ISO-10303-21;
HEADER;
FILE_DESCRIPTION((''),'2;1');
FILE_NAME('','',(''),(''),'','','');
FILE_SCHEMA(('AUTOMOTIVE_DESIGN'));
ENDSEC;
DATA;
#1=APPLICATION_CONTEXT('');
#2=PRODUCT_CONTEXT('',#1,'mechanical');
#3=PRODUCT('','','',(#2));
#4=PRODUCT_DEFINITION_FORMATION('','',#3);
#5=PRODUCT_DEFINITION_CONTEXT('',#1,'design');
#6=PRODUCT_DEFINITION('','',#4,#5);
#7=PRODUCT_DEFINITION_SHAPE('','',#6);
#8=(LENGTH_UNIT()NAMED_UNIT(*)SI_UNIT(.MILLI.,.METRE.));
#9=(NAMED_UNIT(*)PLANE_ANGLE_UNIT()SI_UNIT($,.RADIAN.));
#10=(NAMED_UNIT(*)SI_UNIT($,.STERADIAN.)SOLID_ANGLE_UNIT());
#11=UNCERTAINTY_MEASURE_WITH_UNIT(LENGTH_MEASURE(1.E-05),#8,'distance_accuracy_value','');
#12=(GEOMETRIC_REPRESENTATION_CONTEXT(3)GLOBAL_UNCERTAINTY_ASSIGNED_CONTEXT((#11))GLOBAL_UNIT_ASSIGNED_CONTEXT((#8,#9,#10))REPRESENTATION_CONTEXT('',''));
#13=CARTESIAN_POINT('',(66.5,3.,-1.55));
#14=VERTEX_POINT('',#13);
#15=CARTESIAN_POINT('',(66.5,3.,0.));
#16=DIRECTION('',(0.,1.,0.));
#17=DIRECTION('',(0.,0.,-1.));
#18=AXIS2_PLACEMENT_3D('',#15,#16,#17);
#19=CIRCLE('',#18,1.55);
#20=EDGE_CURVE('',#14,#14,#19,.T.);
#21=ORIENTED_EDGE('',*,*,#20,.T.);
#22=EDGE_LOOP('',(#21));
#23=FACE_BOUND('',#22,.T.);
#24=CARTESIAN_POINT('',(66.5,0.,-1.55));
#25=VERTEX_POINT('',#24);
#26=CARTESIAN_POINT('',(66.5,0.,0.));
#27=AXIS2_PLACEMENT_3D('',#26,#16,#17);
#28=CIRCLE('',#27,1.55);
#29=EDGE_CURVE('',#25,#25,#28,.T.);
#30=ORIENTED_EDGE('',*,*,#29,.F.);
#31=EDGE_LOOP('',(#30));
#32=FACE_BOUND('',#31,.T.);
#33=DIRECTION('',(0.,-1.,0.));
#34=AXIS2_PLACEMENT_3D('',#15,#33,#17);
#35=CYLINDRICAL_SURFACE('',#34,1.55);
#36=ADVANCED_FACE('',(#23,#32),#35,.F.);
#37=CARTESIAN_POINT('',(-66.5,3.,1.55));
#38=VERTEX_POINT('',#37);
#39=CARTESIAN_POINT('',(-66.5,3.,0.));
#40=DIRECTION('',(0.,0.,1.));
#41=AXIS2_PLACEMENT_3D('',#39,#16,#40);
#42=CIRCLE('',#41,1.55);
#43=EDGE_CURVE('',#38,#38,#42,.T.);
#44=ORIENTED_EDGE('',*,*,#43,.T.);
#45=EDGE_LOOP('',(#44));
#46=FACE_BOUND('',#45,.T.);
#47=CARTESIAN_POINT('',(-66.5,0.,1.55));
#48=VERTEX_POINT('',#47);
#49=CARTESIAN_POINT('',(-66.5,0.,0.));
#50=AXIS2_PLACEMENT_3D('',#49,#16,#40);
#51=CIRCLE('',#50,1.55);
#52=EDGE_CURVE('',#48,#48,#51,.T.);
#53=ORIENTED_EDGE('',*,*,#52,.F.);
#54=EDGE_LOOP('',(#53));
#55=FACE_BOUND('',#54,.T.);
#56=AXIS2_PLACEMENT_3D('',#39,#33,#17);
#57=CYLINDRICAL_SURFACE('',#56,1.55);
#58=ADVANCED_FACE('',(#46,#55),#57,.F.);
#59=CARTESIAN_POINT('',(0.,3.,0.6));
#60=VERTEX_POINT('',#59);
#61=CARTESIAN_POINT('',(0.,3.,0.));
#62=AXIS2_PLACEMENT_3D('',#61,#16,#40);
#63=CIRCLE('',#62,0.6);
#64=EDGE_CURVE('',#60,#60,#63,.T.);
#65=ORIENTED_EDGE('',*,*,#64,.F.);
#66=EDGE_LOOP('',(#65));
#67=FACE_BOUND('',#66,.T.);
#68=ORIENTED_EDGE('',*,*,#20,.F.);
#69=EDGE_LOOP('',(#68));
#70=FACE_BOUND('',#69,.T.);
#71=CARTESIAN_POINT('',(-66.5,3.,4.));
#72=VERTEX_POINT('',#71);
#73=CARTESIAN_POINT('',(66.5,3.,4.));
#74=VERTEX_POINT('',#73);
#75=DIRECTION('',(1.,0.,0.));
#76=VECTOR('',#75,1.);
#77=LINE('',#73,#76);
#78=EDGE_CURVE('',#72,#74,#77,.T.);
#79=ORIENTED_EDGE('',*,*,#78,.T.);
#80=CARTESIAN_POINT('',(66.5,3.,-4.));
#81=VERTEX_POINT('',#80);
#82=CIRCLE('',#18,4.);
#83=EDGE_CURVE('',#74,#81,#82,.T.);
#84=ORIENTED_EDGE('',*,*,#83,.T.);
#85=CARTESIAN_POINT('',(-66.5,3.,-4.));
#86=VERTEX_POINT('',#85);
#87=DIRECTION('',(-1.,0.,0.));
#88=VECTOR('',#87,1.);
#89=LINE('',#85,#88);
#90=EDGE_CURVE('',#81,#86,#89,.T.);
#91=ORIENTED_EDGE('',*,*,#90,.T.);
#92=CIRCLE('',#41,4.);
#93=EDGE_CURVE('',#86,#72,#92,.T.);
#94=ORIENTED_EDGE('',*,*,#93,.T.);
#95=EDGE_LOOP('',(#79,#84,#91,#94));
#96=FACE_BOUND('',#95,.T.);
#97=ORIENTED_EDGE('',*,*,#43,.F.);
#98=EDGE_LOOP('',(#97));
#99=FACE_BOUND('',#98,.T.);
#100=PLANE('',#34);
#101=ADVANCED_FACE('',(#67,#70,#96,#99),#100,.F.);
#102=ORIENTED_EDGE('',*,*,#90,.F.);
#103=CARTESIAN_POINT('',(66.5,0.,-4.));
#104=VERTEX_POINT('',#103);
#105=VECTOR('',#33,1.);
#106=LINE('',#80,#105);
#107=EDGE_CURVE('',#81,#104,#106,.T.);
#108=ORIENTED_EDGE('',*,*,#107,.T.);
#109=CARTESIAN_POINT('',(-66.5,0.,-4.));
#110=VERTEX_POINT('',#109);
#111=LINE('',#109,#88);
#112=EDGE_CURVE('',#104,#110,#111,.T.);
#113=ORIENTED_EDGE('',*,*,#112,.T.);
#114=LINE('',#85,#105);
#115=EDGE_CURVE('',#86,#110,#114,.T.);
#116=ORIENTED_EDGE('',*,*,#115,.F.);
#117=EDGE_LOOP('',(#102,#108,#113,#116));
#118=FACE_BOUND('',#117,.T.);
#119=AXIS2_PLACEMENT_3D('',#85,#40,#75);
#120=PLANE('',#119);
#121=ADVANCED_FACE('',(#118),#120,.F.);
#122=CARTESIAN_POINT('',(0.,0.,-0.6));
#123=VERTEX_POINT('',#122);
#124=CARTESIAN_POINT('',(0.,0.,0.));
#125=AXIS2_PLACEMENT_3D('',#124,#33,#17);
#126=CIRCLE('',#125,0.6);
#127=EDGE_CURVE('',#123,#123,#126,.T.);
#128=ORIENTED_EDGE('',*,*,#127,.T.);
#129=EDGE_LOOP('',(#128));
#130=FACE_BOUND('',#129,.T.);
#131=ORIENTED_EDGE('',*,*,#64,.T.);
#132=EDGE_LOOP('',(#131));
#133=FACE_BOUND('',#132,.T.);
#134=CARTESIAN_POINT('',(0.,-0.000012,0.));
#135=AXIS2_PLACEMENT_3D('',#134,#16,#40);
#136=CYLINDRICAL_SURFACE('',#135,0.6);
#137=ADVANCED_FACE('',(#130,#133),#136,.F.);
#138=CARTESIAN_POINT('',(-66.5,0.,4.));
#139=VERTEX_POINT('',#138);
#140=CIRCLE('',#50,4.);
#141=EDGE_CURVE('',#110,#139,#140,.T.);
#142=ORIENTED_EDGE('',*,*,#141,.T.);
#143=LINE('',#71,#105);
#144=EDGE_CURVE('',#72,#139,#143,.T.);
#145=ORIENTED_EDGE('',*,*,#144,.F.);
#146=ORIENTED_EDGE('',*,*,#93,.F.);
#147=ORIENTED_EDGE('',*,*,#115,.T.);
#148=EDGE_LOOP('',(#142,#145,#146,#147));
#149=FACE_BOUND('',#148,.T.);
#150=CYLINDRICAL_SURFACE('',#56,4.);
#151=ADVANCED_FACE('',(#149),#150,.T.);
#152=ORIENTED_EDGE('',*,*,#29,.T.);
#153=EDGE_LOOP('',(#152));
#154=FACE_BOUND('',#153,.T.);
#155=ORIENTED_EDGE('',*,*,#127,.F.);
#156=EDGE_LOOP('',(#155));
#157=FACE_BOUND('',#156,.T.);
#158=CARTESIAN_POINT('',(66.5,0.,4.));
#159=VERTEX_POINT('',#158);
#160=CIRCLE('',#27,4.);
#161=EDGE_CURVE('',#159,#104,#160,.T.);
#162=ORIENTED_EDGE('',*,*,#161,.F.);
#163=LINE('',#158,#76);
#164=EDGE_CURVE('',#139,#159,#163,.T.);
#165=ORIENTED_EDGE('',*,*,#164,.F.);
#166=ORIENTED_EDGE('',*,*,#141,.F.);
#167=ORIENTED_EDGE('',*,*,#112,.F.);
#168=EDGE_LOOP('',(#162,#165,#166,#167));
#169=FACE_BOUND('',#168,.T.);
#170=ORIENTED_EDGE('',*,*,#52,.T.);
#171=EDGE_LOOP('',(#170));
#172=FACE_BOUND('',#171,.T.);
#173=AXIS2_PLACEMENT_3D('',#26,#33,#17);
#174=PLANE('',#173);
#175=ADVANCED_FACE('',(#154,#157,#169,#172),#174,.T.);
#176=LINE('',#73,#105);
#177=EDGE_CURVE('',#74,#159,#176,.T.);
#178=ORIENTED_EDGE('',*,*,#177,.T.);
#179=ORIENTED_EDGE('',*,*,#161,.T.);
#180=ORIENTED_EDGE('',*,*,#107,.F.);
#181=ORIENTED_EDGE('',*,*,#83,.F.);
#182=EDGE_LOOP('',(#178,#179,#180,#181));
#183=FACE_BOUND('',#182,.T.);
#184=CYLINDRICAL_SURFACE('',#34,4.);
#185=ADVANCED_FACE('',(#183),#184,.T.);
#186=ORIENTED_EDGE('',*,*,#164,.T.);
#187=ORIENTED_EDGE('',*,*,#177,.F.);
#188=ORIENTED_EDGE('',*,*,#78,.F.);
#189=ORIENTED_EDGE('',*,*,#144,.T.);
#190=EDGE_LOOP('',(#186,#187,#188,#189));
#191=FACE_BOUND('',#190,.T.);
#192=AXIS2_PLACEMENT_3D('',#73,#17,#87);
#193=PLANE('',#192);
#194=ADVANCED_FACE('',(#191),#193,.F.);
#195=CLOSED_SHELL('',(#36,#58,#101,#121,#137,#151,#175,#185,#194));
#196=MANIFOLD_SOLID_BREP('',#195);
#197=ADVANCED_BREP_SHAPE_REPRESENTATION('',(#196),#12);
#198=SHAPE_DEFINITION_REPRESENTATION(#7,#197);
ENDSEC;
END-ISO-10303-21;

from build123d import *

# Parameters (mm, degrees)
SKETCH1_R               = 1.55
BOSS_EXTRUDE1_DEPTH     = 3
CUT_EXTRUDE2_DEPTH      = 71.677082566
CUT_EXTRUDE2_DEPTH_BACK = 71.677082566
SKETCH2_R               = 0.6


with BuildPart() as part:
    # Sketch1 → Boss-Extrude1 (new body)
    with BuildSketch(Plane(origin=(0, 0, 0), x_dir=(1, 0, 0), z_dir=(0, 1, 0))):
        with BuildLine():
            Line((-66.5, 4), (66.5, 4))
            ThreePointArc((66.5, 4), (70.5, 0), (66.5, -4))
            Line((66.5, -4), (-66.5, -4))
            ThreePointArc((-66.5, -4), (-70.5, 0), (-66.5, 4))
        make_face()
        with Locations(Location((-66.5, 0, 0), (0, 0, 270))):
            Circle(SKETCH1_R, mode=Mode.SUBTRACT)
        with Locations(Location((66.5, 0, 0), (0, 0, 90))):
            Circle(SKETCH1_R, mode=Mode.SUBTRACT)
    extrude(amount=BOSS_EXTRUDE1_DEPTH)

    # Sketch2 → Cut-Extrude2 (cut, two sides: drawn at the far end of the back side and taken through both)
    with BuildSketch(Plane(origin=(0, 0, 0), x_dir=(1, 0, 0), z_dir=(0, 1, 0)).offset(-CUT_EXTRUDE2_DEPTH_BACK)):
        with Locations(Location((0, 0, 0), (0, 0, 270))):
            Circle(SKETCH2_R)
    extrude(amount=CUT_EXTRUDE2_DEPTH + CUT_EXTRUDE2_DEPTH_BACK, mode=Mode.SUBTRACT)


solid = part.part
